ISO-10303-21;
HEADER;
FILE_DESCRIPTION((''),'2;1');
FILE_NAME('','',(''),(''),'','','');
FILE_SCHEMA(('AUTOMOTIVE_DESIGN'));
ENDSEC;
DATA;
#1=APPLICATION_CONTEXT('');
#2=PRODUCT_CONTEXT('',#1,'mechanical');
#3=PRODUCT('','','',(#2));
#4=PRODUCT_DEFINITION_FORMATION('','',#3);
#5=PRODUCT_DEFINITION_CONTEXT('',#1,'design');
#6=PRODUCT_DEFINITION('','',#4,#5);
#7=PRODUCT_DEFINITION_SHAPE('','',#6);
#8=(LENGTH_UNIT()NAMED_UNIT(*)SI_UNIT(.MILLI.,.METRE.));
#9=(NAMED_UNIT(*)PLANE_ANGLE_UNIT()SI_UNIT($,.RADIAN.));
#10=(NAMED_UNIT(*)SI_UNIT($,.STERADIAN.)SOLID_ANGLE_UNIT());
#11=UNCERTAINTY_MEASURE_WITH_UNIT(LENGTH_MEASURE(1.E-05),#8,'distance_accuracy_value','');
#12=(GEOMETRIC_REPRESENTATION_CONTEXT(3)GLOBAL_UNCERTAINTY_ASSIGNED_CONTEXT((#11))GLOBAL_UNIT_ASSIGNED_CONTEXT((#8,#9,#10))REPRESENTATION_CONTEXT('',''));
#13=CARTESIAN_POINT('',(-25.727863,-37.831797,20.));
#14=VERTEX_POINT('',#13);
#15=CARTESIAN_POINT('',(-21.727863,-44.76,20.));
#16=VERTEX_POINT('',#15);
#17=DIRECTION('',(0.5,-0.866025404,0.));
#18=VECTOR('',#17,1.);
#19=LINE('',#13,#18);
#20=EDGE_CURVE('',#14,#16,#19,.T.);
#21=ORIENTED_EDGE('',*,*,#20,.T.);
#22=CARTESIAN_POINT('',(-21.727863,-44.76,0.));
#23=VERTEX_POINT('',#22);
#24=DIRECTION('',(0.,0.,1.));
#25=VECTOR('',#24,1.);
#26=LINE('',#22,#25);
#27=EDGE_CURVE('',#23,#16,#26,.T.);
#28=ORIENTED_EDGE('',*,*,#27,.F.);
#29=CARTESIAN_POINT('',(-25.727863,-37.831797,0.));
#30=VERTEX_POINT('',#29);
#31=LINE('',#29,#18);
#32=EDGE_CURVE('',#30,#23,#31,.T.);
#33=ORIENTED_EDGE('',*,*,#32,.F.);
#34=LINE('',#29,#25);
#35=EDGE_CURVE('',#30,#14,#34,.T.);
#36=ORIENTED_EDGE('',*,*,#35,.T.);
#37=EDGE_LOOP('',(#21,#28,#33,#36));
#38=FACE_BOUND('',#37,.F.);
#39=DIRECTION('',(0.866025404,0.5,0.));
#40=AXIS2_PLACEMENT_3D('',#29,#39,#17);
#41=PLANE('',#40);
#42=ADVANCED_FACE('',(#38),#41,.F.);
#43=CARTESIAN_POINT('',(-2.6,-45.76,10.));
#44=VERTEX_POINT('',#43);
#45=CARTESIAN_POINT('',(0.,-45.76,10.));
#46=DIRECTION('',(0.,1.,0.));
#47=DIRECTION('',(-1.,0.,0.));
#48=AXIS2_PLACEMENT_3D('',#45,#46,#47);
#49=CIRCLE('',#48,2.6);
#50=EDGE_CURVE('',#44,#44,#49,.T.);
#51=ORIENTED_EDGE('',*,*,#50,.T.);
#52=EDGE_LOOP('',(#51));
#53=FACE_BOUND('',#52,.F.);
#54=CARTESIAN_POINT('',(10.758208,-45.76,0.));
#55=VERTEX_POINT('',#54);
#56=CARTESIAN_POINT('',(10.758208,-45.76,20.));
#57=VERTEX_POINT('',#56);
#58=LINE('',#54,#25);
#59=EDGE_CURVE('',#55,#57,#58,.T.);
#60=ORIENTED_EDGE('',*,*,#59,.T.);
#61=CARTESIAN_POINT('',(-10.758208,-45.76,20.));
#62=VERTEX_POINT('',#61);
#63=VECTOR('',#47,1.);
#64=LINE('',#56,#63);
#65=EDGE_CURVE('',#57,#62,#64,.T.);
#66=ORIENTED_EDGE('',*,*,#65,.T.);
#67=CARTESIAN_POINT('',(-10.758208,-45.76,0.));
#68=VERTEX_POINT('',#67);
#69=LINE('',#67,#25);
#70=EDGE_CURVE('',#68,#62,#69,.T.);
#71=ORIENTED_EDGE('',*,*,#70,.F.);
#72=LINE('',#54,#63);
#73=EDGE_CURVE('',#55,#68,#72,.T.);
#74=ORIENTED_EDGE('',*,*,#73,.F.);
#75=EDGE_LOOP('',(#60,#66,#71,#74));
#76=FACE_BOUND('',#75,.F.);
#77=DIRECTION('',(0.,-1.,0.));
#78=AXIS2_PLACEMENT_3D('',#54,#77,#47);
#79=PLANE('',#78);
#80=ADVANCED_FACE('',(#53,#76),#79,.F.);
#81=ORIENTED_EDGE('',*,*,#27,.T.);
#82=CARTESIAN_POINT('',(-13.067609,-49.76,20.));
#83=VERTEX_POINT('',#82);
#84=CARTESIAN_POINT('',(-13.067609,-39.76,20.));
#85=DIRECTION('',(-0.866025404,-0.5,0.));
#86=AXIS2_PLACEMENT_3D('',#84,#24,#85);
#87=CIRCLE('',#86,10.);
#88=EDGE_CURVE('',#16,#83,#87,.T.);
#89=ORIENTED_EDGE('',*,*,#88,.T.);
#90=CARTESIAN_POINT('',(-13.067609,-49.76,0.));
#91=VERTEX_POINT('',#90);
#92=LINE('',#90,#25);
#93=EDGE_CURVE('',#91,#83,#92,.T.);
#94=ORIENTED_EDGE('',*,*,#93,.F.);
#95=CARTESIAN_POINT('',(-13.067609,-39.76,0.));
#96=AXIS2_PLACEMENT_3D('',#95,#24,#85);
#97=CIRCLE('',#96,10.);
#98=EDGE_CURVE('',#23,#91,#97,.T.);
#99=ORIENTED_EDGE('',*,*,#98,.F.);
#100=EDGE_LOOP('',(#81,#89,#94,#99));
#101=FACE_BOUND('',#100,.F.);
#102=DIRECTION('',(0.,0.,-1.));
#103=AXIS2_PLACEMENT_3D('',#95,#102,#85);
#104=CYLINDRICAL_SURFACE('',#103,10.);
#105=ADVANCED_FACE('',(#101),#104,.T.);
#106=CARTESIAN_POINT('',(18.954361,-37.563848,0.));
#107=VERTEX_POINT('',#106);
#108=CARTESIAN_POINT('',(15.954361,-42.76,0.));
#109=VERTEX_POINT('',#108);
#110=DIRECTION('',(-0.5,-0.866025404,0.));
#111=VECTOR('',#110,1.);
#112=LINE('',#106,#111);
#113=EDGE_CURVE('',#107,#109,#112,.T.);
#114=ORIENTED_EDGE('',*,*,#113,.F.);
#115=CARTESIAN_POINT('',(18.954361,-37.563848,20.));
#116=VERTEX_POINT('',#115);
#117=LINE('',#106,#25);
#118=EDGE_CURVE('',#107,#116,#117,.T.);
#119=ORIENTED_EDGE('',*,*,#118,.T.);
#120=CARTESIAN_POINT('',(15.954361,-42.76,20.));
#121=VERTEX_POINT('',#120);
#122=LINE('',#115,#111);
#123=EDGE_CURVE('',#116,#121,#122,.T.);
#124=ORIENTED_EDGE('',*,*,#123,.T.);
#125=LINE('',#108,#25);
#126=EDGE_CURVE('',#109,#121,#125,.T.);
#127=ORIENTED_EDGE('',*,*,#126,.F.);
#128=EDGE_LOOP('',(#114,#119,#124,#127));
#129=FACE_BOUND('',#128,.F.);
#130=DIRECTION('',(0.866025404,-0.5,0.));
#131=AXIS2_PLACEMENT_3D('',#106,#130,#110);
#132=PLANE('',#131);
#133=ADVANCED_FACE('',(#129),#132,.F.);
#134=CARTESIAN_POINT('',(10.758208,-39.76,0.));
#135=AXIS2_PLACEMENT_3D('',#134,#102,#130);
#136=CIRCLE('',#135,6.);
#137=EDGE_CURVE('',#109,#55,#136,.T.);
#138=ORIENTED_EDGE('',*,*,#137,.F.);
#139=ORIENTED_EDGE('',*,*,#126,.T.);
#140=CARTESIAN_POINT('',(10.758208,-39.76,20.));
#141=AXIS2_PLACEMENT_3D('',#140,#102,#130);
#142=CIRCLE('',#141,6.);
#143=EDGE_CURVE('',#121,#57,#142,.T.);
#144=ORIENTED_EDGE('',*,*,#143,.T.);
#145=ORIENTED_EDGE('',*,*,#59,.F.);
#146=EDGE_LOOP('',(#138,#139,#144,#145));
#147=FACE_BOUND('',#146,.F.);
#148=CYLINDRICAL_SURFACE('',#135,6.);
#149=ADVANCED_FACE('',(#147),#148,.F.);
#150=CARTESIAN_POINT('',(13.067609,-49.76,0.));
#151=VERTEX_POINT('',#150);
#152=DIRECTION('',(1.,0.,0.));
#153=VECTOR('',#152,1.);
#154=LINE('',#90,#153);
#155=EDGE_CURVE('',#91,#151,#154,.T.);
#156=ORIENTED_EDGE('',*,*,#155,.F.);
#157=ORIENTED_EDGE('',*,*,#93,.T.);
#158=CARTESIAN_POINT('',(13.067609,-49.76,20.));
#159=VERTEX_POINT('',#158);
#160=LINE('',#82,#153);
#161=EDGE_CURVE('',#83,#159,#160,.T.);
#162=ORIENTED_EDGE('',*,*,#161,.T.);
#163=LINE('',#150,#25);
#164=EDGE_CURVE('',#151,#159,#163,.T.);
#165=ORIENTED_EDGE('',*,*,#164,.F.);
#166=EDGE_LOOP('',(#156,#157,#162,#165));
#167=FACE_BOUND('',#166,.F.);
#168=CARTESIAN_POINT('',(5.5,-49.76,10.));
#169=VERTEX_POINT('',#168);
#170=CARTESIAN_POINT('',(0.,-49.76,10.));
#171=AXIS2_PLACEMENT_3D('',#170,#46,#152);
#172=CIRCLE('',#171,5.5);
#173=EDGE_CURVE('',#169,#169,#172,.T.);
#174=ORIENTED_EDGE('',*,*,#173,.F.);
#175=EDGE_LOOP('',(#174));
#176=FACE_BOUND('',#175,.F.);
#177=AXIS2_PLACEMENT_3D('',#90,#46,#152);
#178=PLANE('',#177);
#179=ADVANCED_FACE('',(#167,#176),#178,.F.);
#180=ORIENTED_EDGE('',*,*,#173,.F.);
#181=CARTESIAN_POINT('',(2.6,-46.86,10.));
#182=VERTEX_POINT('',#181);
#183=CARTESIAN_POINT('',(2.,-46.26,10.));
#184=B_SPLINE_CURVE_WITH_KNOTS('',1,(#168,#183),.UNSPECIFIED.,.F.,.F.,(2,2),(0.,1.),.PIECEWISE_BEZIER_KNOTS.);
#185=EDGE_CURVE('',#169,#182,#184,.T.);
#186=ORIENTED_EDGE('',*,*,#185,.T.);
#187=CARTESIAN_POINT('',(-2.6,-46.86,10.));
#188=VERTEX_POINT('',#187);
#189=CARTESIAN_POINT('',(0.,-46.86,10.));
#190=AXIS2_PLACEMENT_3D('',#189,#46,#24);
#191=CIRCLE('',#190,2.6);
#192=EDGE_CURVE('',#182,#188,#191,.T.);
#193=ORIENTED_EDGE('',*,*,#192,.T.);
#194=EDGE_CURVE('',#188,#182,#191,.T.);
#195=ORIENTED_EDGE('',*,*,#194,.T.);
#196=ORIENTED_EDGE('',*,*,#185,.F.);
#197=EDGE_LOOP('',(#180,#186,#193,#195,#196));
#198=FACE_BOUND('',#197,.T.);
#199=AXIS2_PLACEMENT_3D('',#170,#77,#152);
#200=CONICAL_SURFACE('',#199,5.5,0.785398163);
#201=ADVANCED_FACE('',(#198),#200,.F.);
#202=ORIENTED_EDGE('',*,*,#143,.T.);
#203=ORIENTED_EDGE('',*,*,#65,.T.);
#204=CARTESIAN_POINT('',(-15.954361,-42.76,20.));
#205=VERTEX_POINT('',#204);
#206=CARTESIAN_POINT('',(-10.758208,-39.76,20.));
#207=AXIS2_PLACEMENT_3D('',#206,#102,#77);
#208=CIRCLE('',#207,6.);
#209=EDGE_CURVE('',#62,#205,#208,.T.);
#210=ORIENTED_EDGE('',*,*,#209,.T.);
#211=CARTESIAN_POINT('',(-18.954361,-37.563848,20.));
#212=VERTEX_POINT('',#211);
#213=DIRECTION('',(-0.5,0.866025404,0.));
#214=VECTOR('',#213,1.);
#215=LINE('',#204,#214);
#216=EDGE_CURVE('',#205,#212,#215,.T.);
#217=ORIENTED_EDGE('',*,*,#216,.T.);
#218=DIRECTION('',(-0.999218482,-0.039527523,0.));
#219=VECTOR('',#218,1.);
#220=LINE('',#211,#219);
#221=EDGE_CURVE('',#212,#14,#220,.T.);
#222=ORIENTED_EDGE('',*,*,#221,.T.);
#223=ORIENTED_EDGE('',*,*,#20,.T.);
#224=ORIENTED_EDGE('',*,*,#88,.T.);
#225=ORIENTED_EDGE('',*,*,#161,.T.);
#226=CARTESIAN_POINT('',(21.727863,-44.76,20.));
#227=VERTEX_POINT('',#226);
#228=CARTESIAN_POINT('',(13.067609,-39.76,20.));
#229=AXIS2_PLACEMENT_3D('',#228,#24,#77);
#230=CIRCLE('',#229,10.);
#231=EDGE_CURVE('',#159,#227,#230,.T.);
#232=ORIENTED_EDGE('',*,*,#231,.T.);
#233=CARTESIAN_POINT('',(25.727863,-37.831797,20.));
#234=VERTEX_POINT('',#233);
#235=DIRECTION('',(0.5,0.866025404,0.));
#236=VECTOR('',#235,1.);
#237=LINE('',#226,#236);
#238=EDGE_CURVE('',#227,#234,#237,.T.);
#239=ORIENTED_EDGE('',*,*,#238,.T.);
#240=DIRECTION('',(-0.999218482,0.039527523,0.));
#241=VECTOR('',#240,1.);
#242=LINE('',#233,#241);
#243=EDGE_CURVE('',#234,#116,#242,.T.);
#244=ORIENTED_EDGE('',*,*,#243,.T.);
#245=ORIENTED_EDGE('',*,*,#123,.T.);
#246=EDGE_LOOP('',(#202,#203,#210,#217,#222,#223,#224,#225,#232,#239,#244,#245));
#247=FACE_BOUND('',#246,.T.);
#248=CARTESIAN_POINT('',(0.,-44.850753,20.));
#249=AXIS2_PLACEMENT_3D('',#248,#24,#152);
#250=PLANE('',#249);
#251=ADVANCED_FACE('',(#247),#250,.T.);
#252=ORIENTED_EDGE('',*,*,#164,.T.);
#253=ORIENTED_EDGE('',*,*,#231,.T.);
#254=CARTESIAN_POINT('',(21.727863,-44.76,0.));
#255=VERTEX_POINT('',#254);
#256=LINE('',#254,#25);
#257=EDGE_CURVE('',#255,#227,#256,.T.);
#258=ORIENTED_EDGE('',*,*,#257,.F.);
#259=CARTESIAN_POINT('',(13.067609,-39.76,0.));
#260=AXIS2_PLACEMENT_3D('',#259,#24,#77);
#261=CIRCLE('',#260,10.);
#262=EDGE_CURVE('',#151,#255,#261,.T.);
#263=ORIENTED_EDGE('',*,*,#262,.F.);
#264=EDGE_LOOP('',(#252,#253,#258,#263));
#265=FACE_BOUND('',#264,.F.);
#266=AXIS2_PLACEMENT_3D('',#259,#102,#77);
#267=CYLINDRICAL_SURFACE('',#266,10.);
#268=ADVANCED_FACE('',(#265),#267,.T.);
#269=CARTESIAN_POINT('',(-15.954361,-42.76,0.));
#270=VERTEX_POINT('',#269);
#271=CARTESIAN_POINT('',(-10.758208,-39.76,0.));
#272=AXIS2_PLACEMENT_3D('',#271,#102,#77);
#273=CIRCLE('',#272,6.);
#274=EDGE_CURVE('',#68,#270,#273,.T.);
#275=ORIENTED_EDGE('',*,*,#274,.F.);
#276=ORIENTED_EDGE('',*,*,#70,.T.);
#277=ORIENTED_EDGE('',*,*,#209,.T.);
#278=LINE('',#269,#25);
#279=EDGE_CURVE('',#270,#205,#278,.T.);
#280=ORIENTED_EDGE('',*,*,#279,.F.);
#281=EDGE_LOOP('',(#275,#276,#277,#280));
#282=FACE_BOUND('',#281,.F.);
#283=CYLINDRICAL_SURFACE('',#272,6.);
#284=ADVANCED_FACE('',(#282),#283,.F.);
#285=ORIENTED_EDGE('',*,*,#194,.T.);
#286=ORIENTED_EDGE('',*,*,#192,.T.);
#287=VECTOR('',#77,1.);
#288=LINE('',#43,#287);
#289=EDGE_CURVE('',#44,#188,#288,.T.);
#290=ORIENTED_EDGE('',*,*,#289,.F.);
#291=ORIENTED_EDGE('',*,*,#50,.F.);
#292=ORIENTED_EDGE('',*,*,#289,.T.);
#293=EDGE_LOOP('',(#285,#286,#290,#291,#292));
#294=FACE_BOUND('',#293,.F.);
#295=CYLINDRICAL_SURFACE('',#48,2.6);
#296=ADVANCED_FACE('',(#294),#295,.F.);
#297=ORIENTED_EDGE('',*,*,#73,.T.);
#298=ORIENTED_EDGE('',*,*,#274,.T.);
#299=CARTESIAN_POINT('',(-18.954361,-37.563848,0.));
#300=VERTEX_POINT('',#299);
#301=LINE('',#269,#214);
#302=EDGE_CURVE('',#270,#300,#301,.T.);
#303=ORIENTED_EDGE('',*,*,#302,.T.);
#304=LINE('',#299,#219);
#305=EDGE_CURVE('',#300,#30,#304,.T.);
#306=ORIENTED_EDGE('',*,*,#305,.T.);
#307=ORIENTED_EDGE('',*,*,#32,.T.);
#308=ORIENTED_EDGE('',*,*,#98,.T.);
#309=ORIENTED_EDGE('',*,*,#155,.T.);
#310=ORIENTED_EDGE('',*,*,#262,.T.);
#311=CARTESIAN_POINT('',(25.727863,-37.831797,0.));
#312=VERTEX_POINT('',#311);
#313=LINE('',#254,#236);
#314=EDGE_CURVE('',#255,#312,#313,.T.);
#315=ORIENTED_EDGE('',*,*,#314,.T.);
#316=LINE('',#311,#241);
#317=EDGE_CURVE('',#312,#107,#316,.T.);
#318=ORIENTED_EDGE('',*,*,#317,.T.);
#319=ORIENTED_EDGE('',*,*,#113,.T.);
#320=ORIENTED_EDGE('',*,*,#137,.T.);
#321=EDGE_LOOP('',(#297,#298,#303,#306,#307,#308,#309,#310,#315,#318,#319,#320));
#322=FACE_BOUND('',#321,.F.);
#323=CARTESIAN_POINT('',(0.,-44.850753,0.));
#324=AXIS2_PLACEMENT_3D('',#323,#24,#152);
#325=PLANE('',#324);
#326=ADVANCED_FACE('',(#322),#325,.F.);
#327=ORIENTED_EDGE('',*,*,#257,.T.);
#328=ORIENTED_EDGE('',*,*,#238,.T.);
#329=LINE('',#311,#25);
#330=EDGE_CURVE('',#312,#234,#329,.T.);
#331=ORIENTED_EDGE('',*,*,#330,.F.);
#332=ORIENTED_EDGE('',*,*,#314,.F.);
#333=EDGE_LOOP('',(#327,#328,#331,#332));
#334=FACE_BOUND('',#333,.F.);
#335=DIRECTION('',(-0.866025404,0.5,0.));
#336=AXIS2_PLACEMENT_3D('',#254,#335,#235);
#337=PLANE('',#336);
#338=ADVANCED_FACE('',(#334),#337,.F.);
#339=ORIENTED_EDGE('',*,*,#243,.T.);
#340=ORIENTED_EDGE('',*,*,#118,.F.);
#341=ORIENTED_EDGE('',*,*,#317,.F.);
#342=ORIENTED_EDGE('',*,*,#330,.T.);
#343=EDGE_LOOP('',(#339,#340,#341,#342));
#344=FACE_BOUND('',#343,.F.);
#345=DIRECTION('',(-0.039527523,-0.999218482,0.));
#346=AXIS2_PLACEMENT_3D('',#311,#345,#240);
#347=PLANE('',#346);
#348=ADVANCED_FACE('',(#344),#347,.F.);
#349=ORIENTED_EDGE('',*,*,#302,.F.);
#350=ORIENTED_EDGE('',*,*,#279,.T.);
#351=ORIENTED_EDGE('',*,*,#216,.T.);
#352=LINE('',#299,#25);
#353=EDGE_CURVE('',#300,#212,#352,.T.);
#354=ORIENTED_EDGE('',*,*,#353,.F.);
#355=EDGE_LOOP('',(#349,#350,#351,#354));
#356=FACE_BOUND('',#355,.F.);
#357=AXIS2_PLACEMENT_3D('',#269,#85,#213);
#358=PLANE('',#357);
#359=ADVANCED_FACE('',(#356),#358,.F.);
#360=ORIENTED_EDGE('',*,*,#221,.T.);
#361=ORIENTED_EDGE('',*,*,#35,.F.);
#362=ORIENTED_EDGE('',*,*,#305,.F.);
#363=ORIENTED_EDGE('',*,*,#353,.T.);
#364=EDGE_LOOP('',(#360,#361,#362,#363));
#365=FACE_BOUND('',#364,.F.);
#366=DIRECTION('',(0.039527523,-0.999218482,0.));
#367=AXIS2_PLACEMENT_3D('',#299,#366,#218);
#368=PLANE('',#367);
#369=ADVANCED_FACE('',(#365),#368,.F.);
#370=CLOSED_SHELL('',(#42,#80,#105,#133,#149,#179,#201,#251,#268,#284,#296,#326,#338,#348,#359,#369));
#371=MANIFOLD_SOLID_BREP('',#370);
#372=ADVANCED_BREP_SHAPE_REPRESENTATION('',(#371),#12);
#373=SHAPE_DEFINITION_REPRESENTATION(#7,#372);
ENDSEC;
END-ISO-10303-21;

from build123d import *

# Parameters (mm, degrees)
F1_DEPTH = 20
F2_R     = 5.5
F3_DEPTH = 3.5
F3_TAPER = 45
F4_R     = 2.6
F5_DEPTH = 2


with BuildPart() as f1:
    # F0 (on Top) → F1 (new body)
    with BuildSketch(Plane.XY):
        with BuildLine():
            Line((21.7278633238, -44.76), (25.7278633238, -37.8317967697))
            Line((25.7278633238, -37.8317967697), (18.9543606319, -37.5638475773))
            Line((18.9543606319, -37.5638475773), (15.9543606319, -42.76))
            ThreePointArc((15.9543606319, -42.76), (13.7582082092, -44.9561524227), (10.7582082092, -45.76))
            Line((10.7582082092, -45.76), (10, -45.76))
            Line((10, -45.76), (-10, -45.76))
            Line((-10, -45.76), (-10.7582082092, -45.76))
            ThreePointArc((-10.7582082092, -45.76), (-13.7582082092, -44.9561524227), (-15.9543606319, -42.76))
            Line((-15.9543606319, -42.76), (-18.9543606319, -37.5638475773))
            Line((-18.9543606319, -37.5638475773), (-25.7278633238, -37.8317967697))
            Line((-25.7278633238, -37.8317967697), (-21.7278633238, -44.76))
            ThreePointArc((-21.7278633238, -44.76), (-18.0676092859, -48.4202540378), (-13.0676092859, -49.76))
            Line((-13.0676092859, -49.76), (13.0676092859, -49.76))
            ThreePointArc((13.0676092859, -49.76), (18.0676092859, -48.4202540378), (21.7278633238, -44.76))
        make_face()
    extrude(amount=F1_DEPTH)

    # F2 (on face) → F3 (cut)
    with BuildSketch(Plane.XZ.offset(49.76)):
        with Locations((0, 10)):
            Circle(F2_R)
    extrude(amount=-F3_DEPTH, taper=F3_TAPER, mode=Mode.SUBTRACT)

    # F4 (on face) → F5 (cut)
    with BuildSketch(Plane(origin=(0, -45.76, 0), x_dir=(-1, 0, 0), z_dir=(0, 1, 0))):
        with Locations((0, 10)):
            Circle(F4_R)
    extrude(amount=-F5_DEPTH, mode=Mode.SUBTRACT)


solid = f1.part
